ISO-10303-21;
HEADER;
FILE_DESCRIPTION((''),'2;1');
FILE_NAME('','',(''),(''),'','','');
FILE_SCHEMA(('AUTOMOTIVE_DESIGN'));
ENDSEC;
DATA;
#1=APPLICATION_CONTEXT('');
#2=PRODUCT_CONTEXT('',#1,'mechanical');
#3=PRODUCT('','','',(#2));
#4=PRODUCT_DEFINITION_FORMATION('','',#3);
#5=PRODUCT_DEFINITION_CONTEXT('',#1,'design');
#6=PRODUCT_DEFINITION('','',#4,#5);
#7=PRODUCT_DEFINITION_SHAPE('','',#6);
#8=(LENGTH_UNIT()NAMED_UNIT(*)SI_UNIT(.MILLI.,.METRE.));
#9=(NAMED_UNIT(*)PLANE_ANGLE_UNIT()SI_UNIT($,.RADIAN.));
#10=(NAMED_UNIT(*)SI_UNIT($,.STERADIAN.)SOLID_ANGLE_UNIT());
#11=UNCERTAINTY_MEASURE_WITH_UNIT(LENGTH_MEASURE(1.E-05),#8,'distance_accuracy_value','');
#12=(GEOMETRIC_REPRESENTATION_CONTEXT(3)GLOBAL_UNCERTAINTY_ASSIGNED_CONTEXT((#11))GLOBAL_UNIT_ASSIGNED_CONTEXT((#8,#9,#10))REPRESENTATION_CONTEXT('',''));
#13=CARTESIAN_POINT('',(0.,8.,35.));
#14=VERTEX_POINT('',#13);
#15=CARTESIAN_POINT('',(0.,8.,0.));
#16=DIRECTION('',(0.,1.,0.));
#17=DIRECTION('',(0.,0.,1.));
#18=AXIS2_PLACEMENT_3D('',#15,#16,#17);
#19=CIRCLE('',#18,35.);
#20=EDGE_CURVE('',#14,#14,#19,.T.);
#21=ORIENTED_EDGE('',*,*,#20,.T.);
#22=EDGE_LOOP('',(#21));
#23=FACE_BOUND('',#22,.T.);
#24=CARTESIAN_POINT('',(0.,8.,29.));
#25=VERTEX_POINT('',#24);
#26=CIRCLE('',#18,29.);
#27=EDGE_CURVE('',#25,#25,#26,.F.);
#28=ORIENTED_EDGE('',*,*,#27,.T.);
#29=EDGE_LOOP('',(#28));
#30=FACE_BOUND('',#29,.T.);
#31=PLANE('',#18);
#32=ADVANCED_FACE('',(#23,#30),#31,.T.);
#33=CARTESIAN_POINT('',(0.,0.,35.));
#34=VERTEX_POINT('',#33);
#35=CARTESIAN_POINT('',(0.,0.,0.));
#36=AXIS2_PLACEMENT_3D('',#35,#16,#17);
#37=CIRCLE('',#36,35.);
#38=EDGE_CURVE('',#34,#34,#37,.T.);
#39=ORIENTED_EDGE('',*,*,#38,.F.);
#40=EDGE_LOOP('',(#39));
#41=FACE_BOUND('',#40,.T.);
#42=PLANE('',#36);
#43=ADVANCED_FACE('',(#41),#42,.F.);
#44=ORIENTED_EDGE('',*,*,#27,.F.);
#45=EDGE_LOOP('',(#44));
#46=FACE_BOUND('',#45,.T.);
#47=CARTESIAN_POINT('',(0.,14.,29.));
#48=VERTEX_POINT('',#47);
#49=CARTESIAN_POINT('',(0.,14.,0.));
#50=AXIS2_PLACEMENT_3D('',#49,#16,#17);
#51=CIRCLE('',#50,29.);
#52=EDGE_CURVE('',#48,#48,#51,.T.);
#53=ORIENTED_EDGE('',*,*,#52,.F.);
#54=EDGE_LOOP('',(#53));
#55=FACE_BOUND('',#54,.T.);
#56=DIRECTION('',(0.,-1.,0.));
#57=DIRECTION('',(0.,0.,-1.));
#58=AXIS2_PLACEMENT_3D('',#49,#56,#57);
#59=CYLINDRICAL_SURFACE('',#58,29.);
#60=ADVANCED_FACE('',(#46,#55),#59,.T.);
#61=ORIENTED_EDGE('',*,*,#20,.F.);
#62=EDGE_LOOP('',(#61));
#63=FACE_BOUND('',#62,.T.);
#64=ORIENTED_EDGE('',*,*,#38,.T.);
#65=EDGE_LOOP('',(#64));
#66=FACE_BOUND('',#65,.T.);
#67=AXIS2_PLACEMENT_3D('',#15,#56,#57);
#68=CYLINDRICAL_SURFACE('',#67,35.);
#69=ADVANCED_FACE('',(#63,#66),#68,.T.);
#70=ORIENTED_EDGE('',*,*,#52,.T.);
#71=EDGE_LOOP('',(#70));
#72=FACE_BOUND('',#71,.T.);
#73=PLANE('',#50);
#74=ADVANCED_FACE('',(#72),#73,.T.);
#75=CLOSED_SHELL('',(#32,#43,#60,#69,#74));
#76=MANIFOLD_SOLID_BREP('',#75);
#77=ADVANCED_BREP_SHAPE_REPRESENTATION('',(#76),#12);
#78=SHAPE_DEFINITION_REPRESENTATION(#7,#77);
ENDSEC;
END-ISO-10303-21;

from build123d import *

# Parameters (mm, degrees)
CAP_HEAD_SKETCH_R = 35
CAP_HEAD_DEPTH    = 8
CAP_PLUG_SKETCH_R = 29
CAP_PLUG_DEPTH    = 14


with BuildPart() as part:
    # Cap Head Sketch → Cap Head (new body)
    with BuildSketch(Plane(origin=(0, 0, 0), x_dir=(1, 0, 0), z_dir=(0, 1, 0))):
        with Locations(Location((0, 0, 0), (0, 0, 270))):
            Circle(CAP_HEAD_SKETCH_R)
    extrude(amount=CAP_HEAD_DEPTH)

    # Cap Plug Sketch → Cap Plug (add)
    with BuildSketch(Plane(origin=(0, 0, 0), x_dir=(1, 0, 0), z_dir=(0, 1, 0))):
        with Locations(Location((0, 0, 0), (0, 0, 270))):
            Circle(CAP_PLUG_SKETCH_R)
    extrude(amount=CAP_PLUG_DEPTH)


solid = part.part
